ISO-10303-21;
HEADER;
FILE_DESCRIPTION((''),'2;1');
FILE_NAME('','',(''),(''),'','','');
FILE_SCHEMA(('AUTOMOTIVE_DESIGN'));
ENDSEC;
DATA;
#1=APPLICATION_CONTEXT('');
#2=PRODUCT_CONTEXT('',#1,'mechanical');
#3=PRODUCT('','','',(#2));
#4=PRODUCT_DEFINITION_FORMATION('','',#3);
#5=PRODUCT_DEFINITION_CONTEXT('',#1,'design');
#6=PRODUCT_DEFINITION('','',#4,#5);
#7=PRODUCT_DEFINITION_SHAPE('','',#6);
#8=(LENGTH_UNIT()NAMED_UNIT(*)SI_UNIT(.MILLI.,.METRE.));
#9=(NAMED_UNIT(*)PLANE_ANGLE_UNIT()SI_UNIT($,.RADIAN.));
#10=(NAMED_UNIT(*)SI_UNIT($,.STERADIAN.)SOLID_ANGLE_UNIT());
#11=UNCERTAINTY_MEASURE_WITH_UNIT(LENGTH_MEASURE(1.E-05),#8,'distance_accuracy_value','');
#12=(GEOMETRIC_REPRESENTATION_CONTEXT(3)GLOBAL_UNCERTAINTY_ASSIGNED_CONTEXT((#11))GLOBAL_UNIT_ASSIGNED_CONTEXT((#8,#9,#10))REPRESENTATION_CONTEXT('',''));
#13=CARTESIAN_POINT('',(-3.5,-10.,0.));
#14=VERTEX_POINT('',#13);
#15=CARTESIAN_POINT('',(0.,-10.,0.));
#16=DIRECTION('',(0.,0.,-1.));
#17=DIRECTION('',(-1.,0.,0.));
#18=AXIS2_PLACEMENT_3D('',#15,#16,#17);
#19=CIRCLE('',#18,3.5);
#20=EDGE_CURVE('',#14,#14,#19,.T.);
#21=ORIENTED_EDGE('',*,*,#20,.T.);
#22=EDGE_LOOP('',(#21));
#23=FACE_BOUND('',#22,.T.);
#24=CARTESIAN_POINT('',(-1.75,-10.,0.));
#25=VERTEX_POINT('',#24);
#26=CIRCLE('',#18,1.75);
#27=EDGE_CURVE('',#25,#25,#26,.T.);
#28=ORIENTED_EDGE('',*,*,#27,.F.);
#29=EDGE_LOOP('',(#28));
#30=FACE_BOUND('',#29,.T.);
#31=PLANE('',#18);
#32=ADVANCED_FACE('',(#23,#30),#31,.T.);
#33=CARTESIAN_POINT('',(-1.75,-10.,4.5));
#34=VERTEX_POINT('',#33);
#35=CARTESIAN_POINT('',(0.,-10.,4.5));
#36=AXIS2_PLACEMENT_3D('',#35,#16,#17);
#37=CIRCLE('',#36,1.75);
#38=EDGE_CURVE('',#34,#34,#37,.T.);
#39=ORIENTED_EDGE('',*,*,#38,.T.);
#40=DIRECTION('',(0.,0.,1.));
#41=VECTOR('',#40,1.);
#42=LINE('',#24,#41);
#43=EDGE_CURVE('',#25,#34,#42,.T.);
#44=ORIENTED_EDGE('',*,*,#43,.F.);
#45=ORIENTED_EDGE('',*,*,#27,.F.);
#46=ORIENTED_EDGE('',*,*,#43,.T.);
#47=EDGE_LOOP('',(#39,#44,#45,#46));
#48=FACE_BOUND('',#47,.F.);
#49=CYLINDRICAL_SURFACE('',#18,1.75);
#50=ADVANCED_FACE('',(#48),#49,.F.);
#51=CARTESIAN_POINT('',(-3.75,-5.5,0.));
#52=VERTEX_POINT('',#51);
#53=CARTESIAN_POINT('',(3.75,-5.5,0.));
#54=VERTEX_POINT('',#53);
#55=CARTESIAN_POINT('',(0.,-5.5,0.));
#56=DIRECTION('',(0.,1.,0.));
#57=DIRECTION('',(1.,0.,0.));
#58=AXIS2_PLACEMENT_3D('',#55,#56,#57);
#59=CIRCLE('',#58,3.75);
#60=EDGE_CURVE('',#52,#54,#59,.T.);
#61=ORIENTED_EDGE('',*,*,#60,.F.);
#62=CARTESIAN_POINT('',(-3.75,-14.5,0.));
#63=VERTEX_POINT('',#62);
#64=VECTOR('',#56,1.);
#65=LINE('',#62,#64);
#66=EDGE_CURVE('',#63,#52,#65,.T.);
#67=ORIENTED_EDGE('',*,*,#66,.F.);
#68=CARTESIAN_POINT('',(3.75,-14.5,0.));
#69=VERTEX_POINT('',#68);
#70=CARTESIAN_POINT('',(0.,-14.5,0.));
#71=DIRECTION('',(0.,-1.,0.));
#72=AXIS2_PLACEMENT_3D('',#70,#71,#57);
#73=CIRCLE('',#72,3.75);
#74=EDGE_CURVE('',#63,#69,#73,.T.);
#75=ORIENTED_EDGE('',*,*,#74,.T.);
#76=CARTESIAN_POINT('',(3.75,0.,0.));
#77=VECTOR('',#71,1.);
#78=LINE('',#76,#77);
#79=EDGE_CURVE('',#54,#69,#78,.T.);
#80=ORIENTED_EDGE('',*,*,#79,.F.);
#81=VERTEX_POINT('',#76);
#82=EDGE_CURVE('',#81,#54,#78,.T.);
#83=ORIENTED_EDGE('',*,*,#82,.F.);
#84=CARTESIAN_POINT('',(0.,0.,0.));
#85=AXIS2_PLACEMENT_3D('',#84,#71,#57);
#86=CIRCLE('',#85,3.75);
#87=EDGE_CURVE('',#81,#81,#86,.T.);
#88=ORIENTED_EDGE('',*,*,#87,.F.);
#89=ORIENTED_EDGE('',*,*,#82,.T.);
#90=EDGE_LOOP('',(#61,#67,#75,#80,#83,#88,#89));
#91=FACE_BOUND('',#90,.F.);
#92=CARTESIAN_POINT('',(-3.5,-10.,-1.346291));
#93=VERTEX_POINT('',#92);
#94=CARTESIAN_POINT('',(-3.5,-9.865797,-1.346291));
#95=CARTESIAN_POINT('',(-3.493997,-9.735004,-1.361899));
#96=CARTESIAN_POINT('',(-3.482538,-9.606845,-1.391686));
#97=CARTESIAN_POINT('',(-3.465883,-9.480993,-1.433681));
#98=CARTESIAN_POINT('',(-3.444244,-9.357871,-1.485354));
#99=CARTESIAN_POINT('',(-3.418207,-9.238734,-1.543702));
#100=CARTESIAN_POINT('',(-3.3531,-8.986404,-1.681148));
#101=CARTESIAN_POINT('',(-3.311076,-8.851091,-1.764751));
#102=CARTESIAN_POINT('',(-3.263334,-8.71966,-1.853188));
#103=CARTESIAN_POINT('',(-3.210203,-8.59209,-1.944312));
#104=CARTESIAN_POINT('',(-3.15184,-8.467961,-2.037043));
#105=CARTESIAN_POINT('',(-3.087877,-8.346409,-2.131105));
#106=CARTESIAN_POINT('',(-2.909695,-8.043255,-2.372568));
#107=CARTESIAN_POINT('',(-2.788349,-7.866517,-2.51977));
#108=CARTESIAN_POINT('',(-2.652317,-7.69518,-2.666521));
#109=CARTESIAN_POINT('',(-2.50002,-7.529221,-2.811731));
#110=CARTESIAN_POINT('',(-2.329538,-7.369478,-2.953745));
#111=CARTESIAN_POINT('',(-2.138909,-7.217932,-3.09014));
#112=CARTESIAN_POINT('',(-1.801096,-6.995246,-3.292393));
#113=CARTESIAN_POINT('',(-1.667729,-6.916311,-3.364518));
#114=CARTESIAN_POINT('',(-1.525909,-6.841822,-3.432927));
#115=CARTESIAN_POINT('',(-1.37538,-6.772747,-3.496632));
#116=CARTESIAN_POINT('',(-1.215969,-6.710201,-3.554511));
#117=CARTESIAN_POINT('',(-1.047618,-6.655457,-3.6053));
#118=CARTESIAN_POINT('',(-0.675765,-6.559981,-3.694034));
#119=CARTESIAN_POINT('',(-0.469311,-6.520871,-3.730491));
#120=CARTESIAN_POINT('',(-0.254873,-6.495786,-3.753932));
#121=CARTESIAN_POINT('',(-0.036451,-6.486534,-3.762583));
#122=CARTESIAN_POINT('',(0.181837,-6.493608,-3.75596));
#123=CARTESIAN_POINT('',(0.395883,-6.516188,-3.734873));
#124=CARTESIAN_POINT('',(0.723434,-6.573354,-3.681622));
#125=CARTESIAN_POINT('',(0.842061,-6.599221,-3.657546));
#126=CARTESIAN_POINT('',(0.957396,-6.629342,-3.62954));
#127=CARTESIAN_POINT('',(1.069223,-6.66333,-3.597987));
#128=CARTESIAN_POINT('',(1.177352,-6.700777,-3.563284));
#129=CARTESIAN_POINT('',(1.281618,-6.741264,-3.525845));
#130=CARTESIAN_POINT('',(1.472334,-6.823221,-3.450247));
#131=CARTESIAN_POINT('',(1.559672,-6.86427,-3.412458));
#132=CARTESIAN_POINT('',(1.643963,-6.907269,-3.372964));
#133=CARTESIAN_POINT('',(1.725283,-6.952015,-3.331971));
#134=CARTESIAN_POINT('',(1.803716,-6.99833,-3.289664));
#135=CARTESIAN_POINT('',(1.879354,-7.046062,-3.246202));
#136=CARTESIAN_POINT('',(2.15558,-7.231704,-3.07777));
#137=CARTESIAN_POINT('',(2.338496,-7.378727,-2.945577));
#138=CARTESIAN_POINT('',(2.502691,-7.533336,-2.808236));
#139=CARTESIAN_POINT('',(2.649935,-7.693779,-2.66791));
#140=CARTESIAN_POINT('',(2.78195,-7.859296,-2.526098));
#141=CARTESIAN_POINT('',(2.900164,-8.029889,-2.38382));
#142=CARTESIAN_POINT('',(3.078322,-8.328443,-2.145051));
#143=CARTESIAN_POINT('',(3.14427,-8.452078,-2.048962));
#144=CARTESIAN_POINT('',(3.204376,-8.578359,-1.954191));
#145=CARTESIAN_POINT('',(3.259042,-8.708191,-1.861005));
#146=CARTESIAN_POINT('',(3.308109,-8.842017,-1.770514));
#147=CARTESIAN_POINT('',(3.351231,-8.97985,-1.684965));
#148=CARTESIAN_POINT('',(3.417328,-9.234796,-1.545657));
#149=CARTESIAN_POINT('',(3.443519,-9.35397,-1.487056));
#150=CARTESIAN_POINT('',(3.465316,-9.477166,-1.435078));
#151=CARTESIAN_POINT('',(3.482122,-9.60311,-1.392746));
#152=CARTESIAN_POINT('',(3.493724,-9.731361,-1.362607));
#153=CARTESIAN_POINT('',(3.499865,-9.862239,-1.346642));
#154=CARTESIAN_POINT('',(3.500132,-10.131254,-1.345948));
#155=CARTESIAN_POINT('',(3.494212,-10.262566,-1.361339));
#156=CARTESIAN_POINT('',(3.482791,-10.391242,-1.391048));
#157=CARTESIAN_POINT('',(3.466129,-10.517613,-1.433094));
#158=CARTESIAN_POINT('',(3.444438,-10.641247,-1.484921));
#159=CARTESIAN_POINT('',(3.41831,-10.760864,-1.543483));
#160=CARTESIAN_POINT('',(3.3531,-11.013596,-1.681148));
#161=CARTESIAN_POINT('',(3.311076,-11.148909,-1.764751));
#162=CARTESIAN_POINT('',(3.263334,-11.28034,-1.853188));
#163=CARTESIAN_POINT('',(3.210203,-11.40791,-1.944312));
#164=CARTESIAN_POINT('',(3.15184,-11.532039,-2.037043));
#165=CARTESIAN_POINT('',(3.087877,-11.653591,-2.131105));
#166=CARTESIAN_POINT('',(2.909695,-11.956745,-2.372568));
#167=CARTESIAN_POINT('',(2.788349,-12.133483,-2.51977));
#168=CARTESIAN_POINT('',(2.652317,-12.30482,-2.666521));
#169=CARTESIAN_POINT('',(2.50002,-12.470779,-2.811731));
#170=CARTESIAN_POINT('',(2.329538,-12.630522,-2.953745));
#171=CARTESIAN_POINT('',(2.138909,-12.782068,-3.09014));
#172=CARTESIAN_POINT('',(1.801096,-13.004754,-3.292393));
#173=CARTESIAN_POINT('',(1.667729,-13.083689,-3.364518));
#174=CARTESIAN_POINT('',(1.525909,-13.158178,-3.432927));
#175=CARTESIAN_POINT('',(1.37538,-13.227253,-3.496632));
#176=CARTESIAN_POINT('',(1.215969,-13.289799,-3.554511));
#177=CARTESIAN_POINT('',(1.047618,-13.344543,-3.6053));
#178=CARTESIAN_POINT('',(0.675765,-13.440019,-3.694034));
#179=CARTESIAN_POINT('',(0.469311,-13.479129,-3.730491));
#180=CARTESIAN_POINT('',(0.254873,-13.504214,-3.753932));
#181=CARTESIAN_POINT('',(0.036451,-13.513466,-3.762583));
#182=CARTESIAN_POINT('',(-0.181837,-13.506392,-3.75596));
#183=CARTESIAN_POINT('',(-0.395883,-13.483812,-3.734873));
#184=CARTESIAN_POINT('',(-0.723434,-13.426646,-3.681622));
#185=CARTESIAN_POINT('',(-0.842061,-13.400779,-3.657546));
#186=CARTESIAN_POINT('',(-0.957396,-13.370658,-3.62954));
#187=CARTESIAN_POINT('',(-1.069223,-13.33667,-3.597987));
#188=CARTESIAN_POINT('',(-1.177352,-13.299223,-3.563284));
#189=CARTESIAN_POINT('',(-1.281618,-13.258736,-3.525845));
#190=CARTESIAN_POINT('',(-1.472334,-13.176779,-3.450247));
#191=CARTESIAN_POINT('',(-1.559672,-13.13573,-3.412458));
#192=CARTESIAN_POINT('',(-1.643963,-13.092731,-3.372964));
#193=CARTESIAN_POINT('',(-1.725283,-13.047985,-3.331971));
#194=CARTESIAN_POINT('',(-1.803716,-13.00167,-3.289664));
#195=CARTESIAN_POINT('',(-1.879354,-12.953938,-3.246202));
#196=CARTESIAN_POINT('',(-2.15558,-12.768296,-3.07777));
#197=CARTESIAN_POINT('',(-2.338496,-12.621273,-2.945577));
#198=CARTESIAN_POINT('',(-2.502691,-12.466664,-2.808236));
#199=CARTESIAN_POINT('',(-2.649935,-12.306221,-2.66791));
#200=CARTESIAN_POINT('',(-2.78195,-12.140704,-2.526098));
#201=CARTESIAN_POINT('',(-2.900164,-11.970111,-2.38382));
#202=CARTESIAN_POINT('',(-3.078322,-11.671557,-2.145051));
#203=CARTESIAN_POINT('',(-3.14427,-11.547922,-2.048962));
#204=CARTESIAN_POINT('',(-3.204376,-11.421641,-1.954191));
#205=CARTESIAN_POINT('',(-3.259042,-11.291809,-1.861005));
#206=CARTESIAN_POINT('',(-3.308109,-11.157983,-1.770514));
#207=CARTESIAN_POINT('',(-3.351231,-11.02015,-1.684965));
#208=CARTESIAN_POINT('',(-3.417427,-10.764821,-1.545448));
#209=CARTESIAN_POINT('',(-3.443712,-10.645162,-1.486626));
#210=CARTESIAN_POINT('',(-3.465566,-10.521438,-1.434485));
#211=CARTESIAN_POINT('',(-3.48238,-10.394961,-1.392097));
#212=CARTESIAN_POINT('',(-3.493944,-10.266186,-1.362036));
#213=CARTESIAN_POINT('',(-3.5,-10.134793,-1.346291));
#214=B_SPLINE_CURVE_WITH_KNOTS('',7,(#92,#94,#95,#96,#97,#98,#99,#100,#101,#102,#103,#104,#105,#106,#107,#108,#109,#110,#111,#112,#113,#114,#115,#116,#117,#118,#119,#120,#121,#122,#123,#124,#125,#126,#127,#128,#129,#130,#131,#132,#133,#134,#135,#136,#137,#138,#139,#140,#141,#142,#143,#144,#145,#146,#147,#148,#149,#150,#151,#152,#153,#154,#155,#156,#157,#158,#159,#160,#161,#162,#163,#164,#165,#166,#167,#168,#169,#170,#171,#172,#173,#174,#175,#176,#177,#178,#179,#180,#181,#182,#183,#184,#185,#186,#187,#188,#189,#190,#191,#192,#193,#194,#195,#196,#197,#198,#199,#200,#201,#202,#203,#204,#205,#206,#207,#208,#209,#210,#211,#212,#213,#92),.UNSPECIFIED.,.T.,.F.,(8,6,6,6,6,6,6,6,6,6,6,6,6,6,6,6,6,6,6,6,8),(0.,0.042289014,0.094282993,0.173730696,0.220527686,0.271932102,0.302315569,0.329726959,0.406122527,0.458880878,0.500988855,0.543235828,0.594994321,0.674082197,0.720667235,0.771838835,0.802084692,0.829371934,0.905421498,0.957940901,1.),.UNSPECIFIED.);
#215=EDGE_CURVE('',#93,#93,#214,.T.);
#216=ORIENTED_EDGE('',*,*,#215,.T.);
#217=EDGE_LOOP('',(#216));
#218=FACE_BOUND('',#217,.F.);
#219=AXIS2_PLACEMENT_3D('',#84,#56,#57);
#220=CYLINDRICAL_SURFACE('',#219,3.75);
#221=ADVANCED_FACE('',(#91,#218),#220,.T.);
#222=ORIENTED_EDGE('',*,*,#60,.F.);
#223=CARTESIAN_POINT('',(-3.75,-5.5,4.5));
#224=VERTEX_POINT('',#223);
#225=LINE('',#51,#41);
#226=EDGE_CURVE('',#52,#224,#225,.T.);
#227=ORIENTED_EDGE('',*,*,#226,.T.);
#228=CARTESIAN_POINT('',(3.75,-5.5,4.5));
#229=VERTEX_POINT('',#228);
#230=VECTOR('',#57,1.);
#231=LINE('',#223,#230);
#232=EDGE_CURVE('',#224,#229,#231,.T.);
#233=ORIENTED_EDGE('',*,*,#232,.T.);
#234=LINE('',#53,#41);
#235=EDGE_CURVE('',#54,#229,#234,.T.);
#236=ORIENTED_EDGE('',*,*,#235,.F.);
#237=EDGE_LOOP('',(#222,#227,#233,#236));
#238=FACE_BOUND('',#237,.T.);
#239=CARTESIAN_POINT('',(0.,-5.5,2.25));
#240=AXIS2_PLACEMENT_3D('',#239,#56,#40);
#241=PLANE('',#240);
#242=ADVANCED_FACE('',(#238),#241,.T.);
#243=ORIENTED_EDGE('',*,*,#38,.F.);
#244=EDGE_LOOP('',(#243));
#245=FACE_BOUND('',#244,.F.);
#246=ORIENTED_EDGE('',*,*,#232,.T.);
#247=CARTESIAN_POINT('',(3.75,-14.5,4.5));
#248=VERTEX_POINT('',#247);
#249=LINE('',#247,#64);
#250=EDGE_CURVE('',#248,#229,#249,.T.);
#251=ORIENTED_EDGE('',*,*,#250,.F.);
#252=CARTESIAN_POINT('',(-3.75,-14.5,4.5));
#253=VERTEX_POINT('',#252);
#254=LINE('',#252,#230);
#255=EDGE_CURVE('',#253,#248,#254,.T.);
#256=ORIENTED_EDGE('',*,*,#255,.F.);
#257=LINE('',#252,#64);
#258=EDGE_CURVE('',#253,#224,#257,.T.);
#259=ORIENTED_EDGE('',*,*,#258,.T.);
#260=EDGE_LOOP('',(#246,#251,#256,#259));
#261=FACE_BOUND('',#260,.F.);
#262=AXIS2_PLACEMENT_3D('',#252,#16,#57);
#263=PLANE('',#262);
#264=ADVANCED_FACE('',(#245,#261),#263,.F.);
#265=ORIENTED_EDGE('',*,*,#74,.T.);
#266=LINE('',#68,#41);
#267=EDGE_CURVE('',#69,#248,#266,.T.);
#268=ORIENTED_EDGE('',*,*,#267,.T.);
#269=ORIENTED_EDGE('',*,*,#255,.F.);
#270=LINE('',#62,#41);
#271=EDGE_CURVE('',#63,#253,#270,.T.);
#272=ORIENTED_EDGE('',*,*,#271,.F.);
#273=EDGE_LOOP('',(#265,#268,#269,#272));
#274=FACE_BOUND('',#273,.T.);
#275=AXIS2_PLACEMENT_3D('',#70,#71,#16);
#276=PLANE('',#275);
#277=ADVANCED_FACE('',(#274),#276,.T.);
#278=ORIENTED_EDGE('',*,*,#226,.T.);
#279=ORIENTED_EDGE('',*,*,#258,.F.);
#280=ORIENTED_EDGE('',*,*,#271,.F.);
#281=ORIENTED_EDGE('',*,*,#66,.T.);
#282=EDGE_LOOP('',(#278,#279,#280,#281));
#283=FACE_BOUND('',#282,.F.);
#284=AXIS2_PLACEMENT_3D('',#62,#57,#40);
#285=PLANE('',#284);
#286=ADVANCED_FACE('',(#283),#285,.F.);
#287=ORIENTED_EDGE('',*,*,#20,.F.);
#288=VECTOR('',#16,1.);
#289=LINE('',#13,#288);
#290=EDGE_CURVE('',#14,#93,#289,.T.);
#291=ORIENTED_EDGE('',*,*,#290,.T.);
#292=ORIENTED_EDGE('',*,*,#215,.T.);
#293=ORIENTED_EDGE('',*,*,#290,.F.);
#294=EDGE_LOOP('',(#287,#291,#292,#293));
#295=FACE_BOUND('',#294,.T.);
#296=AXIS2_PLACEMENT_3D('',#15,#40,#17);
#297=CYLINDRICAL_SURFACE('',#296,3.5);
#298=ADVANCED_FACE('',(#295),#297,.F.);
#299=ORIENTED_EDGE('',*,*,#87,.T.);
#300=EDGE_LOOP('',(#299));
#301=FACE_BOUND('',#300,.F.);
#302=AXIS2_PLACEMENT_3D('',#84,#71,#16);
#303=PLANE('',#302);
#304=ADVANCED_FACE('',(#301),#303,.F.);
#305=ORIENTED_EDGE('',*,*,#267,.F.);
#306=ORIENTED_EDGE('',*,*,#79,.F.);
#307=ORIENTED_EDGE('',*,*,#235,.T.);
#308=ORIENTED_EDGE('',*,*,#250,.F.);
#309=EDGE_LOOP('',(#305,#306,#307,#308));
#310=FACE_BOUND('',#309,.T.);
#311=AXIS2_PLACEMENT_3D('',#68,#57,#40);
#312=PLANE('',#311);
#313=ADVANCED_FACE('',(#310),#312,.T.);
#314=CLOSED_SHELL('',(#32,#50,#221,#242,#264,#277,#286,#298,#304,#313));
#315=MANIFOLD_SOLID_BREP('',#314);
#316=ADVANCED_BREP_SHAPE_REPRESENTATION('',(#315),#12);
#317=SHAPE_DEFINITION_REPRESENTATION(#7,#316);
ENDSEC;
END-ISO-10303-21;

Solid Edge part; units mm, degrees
sketch "Sketch1" plane through (0, 0, 0) normal (0, -1, 0) x (1, 0, 0)
  circle A0 centre (0, 0) radius 3.75
extrude "Protrusion1" add sketch "Sketch1" along normal blind 14.5
sketch "Sketch2" plane through (0, -14.5, 0) normal (0, -1, 0) x (1, 0, 0)
  line L0 (-3.75, 4.5) -> (3.75, 4.5)
  line L1 (3.75, 0) -> (3.75, 4.5)
  line L2 (-3.75, 0) -> (3.75, 0)
  line L3 (-3.75, 0) -> (-3.75, 4.5)
extrude "ExtrudedCutout_1" add sketch "Sketch2" against normal blind 9
sketch "Sketch3" plane through (0, 0, 0) normal (0, 0, -1) x (-1, 0, 0)
  circle A0 centre (0, -10) radius 3.5
extrude "ExtrudedCutout_4" cut sketch "Sketch3" along normal blind 4
sketch "Sketch4" plane through (0, 0, 0) normal (0, 0, -1) x (-1, 0, 0)
  circle A0 centre (0, -10) radius 1.75
extrude "Cutout1" cut sketch "Sketch4" against normal up to vertex (4.5 mm away)
properties material "Polycarbonate"
